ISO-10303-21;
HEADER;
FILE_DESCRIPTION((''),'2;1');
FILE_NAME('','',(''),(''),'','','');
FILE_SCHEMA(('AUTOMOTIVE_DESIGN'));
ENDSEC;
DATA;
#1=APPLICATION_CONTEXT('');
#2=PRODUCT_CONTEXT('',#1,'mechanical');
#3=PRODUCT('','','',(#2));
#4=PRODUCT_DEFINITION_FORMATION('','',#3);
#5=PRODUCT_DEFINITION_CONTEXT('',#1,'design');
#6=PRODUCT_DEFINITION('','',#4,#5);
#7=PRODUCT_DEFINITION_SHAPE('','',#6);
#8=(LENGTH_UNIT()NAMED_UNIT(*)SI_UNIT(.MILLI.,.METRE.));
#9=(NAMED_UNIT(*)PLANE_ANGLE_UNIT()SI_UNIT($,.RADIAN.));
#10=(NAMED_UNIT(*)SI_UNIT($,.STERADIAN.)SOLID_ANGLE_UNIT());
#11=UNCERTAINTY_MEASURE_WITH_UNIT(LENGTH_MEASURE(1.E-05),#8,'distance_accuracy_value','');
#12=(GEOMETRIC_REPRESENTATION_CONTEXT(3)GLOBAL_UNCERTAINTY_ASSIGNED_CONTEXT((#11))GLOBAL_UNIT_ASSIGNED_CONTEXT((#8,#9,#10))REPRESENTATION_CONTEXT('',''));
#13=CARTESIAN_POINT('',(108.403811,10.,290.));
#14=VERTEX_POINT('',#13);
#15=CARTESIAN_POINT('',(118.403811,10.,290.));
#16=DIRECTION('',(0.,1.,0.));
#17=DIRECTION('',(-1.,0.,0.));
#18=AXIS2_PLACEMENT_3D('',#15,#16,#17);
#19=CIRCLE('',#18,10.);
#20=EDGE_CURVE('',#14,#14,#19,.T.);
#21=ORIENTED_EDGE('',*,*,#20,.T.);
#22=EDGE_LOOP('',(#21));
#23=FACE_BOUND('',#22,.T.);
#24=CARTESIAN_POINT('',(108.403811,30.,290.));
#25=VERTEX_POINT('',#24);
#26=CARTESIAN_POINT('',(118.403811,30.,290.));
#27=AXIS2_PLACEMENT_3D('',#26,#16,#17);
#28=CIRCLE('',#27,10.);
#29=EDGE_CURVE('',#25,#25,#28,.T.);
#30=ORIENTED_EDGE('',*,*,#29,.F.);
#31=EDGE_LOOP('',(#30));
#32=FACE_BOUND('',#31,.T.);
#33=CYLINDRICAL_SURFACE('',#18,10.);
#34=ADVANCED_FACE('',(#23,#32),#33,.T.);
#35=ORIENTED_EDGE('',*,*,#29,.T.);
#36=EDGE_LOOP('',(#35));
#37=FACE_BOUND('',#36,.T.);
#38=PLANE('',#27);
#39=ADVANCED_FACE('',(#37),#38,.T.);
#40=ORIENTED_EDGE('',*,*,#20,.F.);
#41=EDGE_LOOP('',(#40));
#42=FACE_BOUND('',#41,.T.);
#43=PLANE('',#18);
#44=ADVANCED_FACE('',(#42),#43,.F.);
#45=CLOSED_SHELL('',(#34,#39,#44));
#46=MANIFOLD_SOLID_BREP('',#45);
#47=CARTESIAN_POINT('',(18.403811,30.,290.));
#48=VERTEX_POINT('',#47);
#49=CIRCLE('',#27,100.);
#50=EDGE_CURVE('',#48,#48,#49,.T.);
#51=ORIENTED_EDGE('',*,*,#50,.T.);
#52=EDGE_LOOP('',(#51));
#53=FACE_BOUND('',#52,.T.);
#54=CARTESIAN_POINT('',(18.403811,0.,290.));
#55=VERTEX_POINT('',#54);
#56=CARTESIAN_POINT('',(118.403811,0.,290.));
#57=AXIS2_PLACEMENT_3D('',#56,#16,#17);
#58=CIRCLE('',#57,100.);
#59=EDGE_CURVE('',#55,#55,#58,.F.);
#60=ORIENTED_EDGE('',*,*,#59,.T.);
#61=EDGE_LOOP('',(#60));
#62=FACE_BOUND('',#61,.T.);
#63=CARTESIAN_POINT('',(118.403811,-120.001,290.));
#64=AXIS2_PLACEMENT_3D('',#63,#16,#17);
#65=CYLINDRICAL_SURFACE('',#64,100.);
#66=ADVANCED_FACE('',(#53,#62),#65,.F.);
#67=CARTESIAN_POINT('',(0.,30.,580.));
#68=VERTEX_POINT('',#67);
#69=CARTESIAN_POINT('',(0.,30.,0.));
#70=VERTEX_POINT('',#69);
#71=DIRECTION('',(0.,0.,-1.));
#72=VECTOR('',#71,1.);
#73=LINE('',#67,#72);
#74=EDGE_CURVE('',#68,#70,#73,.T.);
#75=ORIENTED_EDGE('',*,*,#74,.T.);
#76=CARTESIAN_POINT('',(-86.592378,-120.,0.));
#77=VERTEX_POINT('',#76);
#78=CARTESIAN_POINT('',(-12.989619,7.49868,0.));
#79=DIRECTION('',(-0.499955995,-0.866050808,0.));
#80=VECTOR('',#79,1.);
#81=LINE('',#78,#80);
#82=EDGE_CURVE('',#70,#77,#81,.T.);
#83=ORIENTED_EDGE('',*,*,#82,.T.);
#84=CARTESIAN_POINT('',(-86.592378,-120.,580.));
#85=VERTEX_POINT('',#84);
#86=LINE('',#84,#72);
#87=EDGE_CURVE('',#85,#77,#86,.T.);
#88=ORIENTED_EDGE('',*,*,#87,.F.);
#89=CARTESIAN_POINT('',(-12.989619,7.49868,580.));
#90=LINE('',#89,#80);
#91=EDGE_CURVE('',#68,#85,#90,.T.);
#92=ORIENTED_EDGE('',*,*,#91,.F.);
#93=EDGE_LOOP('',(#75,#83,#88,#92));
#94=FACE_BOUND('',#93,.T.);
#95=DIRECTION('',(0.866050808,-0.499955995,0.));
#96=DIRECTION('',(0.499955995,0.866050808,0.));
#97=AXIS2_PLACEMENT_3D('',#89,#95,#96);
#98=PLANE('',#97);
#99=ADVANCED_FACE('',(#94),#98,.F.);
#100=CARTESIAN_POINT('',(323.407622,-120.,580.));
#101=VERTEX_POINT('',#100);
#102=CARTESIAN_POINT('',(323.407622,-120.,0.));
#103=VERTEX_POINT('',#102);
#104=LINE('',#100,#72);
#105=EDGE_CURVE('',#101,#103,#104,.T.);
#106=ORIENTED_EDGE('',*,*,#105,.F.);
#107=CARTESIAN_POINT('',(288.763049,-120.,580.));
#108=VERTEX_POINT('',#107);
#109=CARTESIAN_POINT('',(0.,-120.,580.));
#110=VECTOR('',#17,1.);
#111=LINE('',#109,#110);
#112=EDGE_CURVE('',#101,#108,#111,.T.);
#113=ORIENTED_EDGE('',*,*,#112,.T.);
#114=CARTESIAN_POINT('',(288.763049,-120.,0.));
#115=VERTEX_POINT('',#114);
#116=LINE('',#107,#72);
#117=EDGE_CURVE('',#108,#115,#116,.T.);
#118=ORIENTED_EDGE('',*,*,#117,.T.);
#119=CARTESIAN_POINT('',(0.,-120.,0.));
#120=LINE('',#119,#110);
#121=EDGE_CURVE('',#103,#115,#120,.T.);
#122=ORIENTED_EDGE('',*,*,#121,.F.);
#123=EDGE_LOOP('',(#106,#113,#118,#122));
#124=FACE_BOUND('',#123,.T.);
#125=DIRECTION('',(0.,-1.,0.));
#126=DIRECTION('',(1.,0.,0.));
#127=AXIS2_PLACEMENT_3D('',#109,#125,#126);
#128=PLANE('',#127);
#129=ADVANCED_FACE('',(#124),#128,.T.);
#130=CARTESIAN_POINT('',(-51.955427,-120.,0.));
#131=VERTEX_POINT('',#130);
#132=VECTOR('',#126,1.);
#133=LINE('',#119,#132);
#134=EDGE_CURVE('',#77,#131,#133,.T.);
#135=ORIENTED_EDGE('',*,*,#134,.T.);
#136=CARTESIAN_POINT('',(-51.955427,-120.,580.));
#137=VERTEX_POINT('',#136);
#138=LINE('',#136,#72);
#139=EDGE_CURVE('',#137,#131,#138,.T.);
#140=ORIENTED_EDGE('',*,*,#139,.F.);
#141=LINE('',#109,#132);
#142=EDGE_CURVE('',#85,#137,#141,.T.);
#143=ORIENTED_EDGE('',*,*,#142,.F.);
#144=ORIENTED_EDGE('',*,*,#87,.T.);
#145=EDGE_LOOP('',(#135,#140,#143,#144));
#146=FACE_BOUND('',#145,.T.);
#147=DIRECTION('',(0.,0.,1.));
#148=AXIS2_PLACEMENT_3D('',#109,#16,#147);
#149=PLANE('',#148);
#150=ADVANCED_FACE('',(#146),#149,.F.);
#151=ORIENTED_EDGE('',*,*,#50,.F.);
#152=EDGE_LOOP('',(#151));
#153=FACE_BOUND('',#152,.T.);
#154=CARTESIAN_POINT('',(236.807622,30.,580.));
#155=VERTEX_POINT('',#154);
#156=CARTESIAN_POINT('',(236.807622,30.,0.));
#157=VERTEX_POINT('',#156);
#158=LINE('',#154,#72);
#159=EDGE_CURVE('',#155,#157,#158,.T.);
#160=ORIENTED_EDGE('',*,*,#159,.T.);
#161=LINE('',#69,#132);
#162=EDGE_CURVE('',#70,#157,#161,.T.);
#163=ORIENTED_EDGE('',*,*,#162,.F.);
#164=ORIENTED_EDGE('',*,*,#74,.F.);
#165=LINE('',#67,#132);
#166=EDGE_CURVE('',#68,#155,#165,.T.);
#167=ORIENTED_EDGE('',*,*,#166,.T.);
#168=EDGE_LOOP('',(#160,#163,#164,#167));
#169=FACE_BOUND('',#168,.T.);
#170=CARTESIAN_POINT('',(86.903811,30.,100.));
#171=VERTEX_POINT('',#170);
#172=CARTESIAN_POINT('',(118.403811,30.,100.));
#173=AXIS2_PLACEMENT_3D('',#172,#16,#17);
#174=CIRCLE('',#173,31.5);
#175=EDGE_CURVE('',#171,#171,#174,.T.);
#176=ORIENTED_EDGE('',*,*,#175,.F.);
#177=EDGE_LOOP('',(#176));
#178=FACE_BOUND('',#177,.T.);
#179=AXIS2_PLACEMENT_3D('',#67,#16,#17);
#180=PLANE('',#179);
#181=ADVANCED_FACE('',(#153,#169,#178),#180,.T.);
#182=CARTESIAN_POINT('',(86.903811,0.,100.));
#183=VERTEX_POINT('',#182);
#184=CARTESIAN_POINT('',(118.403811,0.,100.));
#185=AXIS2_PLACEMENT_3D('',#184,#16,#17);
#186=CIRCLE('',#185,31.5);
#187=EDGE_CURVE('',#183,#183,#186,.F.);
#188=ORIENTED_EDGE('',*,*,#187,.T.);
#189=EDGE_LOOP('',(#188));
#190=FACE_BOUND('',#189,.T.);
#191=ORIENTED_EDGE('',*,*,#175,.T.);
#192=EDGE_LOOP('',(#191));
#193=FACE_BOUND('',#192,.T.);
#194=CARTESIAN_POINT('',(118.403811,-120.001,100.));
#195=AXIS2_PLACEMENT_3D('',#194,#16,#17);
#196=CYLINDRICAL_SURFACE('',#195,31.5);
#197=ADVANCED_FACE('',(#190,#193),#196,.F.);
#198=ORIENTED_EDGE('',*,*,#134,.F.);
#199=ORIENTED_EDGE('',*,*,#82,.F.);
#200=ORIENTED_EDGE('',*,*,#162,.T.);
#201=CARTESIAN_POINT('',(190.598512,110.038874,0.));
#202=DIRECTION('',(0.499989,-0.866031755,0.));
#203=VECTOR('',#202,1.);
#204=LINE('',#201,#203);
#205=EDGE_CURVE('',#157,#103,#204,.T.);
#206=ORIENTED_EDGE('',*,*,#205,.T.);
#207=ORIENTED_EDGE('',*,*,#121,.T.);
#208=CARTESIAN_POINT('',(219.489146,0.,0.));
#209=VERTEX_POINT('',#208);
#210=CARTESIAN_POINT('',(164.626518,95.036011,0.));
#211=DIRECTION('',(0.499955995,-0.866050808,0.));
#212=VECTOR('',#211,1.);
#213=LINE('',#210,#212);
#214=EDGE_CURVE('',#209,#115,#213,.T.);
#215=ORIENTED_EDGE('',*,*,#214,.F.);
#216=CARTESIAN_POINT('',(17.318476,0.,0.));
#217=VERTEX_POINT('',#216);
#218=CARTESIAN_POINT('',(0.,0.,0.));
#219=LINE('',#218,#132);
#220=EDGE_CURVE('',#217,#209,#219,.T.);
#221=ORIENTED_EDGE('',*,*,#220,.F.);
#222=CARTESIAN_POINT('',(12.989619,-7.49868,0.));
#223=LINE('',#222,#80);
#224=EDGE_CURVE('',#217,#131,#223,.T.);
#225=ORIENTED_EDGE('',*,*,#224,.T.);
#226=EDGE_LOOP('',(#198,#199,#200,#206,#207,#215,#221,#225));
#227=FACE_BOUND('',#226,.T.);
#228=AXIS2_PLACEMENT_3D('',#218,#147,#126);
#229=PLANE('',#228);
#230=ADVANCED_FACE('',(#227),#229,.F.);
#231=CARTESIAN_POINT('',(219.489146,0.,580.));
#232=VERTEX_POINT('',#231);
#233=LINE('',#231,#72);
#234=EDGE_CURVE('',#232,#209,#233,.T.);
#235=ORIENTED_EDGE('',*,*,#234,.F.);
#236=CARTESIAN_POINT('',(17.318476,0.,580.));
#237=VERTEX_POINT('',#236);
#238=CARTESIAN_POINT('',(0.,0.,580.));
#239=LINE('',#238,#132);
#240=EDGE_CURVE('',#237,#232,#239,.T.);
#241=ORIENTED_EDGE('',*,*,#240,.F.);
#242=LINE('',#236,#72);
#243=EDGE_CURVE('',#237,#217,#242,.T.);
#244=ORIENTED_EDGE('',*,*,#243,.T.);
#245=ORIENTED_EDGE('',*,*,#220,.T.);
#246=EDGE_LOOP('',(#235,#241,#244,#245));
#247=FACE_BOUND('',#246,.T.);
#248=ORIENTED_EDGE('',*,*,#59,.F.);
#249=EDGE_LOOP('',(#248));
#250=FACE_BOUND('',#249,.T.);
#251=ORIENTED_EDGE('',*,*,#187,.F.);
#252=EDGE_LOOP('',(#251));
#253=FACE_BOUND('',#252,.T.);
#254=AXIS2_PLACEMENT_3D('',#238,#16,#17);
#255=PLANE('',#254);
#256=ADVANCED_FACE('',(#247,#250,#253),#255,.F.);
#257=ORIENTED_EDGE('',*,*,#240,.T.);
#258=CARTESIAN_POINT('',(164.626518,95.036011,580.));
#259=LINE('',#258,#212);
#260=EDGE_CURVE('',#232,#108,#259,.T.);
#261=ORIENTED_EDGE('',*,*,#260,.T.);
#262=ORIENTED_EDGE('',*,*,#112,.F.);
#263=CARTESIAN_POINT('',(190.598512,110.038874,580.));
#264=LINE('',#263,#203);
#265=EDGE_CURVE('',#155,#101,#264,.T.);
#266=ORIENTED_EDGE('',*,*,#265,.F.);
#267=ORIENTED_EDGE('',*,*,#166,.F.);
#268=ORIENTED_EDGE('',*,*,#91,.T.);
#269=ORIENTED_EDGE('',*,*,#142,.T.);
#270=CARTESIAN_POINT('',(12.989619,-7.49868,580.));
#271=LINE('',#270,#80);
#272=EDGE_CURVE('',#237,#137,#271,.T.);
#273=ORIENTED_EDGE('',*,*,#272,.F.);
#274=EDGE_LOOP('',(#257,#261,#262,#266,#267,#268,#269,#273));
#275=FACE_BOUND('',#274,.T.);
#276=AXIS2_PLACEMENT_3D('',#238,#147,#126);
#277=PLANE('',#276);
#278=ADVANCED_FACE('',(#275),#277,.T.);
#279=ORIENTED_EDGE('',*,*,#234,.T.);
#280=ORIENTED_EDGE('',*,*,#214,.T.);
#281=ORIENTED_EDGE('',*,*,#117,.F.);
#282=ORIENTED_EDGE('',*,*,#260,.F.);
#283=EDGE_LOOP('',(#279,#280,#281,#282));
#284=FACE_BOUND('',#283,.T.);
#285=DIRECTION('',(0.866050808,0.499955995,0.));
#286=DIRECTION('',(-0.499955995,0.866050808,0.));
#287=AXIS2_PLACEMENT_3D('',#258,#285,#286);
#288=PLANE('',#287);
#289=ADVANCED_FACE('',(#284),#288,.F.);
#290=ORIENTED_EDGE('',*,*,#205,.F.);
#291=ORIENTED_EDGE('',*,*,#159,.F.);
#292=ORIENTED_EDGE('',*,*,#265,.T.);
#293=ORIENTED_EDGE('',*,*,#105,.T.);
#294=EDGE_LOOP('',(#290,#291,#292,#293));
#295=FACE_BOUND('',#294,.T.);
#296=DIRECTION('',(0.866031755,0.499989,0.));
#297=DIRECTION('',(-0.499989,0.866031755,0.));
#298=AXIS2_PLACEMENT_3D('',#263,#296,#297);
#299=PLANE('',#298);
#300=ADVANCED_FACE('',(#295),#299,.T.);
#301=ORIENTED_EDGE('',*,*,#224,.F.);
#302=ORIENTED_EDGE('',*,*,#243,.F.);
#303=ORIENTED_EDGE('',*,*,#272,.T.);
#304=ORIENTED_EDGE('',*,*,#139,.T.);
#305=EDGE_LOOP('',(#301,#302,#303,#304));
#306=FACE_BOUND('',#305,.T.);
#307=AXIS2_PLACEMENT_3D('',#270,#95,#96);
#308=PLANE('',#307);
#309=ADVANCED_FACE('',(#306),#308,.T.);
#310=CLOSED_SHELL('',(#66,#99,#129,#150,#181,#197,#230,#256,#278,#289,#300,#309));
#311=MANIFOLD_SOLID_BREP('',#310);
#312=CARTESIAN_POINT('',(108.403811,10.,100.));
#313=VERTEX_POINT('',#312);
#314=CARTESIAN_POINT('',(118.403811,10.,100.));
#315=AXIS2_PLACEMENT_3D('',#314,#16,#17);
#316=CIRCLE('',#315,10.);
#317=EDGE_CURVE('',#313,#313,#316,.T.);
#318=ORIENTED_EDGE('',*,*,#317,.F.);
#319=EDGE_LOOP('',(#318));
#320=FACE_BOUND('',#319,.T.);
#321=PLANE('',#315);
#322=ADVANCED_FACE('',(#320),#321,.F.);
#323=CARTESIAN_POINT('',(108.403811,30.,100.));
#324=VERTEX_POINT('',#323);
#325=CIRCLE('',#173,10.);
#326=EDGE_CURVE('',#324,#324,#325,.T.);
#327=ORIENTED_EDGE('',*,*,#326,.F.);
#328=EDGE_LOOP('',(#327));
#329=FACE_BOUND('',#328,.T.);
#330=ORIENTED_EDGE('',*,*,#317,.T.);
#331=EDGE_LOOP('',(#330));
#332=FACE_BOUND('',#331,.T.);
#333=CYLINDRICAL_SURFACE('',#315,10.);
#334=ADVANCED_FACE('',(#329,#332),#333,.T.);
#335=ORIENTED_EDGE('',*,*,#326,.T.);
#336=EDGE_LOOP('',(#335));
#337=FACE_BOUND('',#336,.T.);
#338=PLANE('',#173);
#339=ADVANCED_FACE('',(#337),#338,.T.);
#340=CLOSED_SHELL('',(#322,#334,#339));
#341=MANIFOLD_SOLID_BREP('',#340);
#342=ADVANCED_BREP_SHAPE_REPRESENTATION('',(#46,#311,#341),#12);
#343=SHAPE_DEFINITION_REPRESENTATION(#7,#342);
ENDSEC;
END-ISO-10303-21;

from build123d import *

# Parameters (mm, degrees)
BOSS_EXTRU_1_DEPTH      = 580
ENL_V_MAT_EXTRU_1_REACH = 152
ESQUISSE2_R             = 100
ESQUISSE2_R_2           = 31.5
ESQUISSE4_R             = 10
BOSS_EXTRU_2_DEPTH      = 20
ESQUISSE5_R             = 10
BOSS_EXTRU_3_DEPTH      = 20


with BuildPart() as part:
    # Esquisse1 → Boss.-Extru.1 (new body)
    with BuildSketch(Plane.XY):
        Polygon((236.807621582, 30), (0, 30), (-86.592378418, -120), (-51.955427051, -120), (17.318475684, 0), (219.489145899, 0), (288.763048633, -120), (323.407621582, -120), align=None)
    extrude(amount=BOSS_EXTRU_1_DEPTH)

    # Esquisse2 → Enlèv. mat.-Extru.1 (cut, up to next)
    with BuildSketch(Plane(origin=(0, 30, 0), x_dir=(1, 0, 0), z_dir=(0, 1, 0)), mode=Mode.PRIVATE) as enl_v_mat_extru_1_sk1:
        with Locations((118.403810791, -290)):
            Circle(ESQUISSE2_R)
    enl_v_mat_extru_1_tool1 = extrude(enl_v_mat_extru_1_sk1.sketch, amount=-ENL_V_MAT_EXTRU_1_REACH, mode=Mode.PRIVATE) & part.part
    add(enl_v_mat_extru_1_tool1.solids().sort_by_distance((118.403811, 30, 290))[0], mode=Mode.SUBTRACT)
    # Esquisse2 → Enlèv. mat.-Extru.1 (cut, up to next)
    with BuildSketch(Plane(origin=(0, 30, 0), x_dir=(1, 0, 0), z_dir=(0, 1, 0)), mode=Mode.PRIVATE) as enl_v_mat_extru_1_sk2:
        with Locations((118.403810791, -100)):
            Circle(ESQUISSE2_R_2)
    enl_v_mat_extru_1_tool2 = extrude(enl_v_mat_extru_1_sk2.sketch, amount=-ENL_V_MAT_EXTRU_1_REACH, mode=Mode.PRIVATE) & part.part
    add(enl_v_mat_extru_1_tool2.solids().sort_by_distance((118.403811, 30, 100))[0], mode=Mode.SUBTRACT)


with BuildPart() as body_2:
    # Esquisse4 → Boss.-Extru.2 (new body)
    with BuildSketch(Plane(origin=(0, 30, 0), x_dir=(1, 0, 0), z_dir=(0, 1, 0))):
        with Locations((118.403810791, -290)):
            Circle(ESQUISSE4_R)
    extrude(amount=-BOSS_EXTRU_2_DEPTH)


with BuildPart() as body_3:
    # Esquisse5 → Boss.-Extru.3 (new body)
    with BuildSketch(Plane(origin=(0, 30, 0), x_dir=(1, 0, 0), z_dir=(0, 1, 0))):
        with Locations((118.403810791, -100)):
            Circle(ESQUISSE5_R)
    extrude(amount=-BOSS_EXTRU_3_DEPTH)


solid = Compound([part.part, body_2.part, body_3.part])
